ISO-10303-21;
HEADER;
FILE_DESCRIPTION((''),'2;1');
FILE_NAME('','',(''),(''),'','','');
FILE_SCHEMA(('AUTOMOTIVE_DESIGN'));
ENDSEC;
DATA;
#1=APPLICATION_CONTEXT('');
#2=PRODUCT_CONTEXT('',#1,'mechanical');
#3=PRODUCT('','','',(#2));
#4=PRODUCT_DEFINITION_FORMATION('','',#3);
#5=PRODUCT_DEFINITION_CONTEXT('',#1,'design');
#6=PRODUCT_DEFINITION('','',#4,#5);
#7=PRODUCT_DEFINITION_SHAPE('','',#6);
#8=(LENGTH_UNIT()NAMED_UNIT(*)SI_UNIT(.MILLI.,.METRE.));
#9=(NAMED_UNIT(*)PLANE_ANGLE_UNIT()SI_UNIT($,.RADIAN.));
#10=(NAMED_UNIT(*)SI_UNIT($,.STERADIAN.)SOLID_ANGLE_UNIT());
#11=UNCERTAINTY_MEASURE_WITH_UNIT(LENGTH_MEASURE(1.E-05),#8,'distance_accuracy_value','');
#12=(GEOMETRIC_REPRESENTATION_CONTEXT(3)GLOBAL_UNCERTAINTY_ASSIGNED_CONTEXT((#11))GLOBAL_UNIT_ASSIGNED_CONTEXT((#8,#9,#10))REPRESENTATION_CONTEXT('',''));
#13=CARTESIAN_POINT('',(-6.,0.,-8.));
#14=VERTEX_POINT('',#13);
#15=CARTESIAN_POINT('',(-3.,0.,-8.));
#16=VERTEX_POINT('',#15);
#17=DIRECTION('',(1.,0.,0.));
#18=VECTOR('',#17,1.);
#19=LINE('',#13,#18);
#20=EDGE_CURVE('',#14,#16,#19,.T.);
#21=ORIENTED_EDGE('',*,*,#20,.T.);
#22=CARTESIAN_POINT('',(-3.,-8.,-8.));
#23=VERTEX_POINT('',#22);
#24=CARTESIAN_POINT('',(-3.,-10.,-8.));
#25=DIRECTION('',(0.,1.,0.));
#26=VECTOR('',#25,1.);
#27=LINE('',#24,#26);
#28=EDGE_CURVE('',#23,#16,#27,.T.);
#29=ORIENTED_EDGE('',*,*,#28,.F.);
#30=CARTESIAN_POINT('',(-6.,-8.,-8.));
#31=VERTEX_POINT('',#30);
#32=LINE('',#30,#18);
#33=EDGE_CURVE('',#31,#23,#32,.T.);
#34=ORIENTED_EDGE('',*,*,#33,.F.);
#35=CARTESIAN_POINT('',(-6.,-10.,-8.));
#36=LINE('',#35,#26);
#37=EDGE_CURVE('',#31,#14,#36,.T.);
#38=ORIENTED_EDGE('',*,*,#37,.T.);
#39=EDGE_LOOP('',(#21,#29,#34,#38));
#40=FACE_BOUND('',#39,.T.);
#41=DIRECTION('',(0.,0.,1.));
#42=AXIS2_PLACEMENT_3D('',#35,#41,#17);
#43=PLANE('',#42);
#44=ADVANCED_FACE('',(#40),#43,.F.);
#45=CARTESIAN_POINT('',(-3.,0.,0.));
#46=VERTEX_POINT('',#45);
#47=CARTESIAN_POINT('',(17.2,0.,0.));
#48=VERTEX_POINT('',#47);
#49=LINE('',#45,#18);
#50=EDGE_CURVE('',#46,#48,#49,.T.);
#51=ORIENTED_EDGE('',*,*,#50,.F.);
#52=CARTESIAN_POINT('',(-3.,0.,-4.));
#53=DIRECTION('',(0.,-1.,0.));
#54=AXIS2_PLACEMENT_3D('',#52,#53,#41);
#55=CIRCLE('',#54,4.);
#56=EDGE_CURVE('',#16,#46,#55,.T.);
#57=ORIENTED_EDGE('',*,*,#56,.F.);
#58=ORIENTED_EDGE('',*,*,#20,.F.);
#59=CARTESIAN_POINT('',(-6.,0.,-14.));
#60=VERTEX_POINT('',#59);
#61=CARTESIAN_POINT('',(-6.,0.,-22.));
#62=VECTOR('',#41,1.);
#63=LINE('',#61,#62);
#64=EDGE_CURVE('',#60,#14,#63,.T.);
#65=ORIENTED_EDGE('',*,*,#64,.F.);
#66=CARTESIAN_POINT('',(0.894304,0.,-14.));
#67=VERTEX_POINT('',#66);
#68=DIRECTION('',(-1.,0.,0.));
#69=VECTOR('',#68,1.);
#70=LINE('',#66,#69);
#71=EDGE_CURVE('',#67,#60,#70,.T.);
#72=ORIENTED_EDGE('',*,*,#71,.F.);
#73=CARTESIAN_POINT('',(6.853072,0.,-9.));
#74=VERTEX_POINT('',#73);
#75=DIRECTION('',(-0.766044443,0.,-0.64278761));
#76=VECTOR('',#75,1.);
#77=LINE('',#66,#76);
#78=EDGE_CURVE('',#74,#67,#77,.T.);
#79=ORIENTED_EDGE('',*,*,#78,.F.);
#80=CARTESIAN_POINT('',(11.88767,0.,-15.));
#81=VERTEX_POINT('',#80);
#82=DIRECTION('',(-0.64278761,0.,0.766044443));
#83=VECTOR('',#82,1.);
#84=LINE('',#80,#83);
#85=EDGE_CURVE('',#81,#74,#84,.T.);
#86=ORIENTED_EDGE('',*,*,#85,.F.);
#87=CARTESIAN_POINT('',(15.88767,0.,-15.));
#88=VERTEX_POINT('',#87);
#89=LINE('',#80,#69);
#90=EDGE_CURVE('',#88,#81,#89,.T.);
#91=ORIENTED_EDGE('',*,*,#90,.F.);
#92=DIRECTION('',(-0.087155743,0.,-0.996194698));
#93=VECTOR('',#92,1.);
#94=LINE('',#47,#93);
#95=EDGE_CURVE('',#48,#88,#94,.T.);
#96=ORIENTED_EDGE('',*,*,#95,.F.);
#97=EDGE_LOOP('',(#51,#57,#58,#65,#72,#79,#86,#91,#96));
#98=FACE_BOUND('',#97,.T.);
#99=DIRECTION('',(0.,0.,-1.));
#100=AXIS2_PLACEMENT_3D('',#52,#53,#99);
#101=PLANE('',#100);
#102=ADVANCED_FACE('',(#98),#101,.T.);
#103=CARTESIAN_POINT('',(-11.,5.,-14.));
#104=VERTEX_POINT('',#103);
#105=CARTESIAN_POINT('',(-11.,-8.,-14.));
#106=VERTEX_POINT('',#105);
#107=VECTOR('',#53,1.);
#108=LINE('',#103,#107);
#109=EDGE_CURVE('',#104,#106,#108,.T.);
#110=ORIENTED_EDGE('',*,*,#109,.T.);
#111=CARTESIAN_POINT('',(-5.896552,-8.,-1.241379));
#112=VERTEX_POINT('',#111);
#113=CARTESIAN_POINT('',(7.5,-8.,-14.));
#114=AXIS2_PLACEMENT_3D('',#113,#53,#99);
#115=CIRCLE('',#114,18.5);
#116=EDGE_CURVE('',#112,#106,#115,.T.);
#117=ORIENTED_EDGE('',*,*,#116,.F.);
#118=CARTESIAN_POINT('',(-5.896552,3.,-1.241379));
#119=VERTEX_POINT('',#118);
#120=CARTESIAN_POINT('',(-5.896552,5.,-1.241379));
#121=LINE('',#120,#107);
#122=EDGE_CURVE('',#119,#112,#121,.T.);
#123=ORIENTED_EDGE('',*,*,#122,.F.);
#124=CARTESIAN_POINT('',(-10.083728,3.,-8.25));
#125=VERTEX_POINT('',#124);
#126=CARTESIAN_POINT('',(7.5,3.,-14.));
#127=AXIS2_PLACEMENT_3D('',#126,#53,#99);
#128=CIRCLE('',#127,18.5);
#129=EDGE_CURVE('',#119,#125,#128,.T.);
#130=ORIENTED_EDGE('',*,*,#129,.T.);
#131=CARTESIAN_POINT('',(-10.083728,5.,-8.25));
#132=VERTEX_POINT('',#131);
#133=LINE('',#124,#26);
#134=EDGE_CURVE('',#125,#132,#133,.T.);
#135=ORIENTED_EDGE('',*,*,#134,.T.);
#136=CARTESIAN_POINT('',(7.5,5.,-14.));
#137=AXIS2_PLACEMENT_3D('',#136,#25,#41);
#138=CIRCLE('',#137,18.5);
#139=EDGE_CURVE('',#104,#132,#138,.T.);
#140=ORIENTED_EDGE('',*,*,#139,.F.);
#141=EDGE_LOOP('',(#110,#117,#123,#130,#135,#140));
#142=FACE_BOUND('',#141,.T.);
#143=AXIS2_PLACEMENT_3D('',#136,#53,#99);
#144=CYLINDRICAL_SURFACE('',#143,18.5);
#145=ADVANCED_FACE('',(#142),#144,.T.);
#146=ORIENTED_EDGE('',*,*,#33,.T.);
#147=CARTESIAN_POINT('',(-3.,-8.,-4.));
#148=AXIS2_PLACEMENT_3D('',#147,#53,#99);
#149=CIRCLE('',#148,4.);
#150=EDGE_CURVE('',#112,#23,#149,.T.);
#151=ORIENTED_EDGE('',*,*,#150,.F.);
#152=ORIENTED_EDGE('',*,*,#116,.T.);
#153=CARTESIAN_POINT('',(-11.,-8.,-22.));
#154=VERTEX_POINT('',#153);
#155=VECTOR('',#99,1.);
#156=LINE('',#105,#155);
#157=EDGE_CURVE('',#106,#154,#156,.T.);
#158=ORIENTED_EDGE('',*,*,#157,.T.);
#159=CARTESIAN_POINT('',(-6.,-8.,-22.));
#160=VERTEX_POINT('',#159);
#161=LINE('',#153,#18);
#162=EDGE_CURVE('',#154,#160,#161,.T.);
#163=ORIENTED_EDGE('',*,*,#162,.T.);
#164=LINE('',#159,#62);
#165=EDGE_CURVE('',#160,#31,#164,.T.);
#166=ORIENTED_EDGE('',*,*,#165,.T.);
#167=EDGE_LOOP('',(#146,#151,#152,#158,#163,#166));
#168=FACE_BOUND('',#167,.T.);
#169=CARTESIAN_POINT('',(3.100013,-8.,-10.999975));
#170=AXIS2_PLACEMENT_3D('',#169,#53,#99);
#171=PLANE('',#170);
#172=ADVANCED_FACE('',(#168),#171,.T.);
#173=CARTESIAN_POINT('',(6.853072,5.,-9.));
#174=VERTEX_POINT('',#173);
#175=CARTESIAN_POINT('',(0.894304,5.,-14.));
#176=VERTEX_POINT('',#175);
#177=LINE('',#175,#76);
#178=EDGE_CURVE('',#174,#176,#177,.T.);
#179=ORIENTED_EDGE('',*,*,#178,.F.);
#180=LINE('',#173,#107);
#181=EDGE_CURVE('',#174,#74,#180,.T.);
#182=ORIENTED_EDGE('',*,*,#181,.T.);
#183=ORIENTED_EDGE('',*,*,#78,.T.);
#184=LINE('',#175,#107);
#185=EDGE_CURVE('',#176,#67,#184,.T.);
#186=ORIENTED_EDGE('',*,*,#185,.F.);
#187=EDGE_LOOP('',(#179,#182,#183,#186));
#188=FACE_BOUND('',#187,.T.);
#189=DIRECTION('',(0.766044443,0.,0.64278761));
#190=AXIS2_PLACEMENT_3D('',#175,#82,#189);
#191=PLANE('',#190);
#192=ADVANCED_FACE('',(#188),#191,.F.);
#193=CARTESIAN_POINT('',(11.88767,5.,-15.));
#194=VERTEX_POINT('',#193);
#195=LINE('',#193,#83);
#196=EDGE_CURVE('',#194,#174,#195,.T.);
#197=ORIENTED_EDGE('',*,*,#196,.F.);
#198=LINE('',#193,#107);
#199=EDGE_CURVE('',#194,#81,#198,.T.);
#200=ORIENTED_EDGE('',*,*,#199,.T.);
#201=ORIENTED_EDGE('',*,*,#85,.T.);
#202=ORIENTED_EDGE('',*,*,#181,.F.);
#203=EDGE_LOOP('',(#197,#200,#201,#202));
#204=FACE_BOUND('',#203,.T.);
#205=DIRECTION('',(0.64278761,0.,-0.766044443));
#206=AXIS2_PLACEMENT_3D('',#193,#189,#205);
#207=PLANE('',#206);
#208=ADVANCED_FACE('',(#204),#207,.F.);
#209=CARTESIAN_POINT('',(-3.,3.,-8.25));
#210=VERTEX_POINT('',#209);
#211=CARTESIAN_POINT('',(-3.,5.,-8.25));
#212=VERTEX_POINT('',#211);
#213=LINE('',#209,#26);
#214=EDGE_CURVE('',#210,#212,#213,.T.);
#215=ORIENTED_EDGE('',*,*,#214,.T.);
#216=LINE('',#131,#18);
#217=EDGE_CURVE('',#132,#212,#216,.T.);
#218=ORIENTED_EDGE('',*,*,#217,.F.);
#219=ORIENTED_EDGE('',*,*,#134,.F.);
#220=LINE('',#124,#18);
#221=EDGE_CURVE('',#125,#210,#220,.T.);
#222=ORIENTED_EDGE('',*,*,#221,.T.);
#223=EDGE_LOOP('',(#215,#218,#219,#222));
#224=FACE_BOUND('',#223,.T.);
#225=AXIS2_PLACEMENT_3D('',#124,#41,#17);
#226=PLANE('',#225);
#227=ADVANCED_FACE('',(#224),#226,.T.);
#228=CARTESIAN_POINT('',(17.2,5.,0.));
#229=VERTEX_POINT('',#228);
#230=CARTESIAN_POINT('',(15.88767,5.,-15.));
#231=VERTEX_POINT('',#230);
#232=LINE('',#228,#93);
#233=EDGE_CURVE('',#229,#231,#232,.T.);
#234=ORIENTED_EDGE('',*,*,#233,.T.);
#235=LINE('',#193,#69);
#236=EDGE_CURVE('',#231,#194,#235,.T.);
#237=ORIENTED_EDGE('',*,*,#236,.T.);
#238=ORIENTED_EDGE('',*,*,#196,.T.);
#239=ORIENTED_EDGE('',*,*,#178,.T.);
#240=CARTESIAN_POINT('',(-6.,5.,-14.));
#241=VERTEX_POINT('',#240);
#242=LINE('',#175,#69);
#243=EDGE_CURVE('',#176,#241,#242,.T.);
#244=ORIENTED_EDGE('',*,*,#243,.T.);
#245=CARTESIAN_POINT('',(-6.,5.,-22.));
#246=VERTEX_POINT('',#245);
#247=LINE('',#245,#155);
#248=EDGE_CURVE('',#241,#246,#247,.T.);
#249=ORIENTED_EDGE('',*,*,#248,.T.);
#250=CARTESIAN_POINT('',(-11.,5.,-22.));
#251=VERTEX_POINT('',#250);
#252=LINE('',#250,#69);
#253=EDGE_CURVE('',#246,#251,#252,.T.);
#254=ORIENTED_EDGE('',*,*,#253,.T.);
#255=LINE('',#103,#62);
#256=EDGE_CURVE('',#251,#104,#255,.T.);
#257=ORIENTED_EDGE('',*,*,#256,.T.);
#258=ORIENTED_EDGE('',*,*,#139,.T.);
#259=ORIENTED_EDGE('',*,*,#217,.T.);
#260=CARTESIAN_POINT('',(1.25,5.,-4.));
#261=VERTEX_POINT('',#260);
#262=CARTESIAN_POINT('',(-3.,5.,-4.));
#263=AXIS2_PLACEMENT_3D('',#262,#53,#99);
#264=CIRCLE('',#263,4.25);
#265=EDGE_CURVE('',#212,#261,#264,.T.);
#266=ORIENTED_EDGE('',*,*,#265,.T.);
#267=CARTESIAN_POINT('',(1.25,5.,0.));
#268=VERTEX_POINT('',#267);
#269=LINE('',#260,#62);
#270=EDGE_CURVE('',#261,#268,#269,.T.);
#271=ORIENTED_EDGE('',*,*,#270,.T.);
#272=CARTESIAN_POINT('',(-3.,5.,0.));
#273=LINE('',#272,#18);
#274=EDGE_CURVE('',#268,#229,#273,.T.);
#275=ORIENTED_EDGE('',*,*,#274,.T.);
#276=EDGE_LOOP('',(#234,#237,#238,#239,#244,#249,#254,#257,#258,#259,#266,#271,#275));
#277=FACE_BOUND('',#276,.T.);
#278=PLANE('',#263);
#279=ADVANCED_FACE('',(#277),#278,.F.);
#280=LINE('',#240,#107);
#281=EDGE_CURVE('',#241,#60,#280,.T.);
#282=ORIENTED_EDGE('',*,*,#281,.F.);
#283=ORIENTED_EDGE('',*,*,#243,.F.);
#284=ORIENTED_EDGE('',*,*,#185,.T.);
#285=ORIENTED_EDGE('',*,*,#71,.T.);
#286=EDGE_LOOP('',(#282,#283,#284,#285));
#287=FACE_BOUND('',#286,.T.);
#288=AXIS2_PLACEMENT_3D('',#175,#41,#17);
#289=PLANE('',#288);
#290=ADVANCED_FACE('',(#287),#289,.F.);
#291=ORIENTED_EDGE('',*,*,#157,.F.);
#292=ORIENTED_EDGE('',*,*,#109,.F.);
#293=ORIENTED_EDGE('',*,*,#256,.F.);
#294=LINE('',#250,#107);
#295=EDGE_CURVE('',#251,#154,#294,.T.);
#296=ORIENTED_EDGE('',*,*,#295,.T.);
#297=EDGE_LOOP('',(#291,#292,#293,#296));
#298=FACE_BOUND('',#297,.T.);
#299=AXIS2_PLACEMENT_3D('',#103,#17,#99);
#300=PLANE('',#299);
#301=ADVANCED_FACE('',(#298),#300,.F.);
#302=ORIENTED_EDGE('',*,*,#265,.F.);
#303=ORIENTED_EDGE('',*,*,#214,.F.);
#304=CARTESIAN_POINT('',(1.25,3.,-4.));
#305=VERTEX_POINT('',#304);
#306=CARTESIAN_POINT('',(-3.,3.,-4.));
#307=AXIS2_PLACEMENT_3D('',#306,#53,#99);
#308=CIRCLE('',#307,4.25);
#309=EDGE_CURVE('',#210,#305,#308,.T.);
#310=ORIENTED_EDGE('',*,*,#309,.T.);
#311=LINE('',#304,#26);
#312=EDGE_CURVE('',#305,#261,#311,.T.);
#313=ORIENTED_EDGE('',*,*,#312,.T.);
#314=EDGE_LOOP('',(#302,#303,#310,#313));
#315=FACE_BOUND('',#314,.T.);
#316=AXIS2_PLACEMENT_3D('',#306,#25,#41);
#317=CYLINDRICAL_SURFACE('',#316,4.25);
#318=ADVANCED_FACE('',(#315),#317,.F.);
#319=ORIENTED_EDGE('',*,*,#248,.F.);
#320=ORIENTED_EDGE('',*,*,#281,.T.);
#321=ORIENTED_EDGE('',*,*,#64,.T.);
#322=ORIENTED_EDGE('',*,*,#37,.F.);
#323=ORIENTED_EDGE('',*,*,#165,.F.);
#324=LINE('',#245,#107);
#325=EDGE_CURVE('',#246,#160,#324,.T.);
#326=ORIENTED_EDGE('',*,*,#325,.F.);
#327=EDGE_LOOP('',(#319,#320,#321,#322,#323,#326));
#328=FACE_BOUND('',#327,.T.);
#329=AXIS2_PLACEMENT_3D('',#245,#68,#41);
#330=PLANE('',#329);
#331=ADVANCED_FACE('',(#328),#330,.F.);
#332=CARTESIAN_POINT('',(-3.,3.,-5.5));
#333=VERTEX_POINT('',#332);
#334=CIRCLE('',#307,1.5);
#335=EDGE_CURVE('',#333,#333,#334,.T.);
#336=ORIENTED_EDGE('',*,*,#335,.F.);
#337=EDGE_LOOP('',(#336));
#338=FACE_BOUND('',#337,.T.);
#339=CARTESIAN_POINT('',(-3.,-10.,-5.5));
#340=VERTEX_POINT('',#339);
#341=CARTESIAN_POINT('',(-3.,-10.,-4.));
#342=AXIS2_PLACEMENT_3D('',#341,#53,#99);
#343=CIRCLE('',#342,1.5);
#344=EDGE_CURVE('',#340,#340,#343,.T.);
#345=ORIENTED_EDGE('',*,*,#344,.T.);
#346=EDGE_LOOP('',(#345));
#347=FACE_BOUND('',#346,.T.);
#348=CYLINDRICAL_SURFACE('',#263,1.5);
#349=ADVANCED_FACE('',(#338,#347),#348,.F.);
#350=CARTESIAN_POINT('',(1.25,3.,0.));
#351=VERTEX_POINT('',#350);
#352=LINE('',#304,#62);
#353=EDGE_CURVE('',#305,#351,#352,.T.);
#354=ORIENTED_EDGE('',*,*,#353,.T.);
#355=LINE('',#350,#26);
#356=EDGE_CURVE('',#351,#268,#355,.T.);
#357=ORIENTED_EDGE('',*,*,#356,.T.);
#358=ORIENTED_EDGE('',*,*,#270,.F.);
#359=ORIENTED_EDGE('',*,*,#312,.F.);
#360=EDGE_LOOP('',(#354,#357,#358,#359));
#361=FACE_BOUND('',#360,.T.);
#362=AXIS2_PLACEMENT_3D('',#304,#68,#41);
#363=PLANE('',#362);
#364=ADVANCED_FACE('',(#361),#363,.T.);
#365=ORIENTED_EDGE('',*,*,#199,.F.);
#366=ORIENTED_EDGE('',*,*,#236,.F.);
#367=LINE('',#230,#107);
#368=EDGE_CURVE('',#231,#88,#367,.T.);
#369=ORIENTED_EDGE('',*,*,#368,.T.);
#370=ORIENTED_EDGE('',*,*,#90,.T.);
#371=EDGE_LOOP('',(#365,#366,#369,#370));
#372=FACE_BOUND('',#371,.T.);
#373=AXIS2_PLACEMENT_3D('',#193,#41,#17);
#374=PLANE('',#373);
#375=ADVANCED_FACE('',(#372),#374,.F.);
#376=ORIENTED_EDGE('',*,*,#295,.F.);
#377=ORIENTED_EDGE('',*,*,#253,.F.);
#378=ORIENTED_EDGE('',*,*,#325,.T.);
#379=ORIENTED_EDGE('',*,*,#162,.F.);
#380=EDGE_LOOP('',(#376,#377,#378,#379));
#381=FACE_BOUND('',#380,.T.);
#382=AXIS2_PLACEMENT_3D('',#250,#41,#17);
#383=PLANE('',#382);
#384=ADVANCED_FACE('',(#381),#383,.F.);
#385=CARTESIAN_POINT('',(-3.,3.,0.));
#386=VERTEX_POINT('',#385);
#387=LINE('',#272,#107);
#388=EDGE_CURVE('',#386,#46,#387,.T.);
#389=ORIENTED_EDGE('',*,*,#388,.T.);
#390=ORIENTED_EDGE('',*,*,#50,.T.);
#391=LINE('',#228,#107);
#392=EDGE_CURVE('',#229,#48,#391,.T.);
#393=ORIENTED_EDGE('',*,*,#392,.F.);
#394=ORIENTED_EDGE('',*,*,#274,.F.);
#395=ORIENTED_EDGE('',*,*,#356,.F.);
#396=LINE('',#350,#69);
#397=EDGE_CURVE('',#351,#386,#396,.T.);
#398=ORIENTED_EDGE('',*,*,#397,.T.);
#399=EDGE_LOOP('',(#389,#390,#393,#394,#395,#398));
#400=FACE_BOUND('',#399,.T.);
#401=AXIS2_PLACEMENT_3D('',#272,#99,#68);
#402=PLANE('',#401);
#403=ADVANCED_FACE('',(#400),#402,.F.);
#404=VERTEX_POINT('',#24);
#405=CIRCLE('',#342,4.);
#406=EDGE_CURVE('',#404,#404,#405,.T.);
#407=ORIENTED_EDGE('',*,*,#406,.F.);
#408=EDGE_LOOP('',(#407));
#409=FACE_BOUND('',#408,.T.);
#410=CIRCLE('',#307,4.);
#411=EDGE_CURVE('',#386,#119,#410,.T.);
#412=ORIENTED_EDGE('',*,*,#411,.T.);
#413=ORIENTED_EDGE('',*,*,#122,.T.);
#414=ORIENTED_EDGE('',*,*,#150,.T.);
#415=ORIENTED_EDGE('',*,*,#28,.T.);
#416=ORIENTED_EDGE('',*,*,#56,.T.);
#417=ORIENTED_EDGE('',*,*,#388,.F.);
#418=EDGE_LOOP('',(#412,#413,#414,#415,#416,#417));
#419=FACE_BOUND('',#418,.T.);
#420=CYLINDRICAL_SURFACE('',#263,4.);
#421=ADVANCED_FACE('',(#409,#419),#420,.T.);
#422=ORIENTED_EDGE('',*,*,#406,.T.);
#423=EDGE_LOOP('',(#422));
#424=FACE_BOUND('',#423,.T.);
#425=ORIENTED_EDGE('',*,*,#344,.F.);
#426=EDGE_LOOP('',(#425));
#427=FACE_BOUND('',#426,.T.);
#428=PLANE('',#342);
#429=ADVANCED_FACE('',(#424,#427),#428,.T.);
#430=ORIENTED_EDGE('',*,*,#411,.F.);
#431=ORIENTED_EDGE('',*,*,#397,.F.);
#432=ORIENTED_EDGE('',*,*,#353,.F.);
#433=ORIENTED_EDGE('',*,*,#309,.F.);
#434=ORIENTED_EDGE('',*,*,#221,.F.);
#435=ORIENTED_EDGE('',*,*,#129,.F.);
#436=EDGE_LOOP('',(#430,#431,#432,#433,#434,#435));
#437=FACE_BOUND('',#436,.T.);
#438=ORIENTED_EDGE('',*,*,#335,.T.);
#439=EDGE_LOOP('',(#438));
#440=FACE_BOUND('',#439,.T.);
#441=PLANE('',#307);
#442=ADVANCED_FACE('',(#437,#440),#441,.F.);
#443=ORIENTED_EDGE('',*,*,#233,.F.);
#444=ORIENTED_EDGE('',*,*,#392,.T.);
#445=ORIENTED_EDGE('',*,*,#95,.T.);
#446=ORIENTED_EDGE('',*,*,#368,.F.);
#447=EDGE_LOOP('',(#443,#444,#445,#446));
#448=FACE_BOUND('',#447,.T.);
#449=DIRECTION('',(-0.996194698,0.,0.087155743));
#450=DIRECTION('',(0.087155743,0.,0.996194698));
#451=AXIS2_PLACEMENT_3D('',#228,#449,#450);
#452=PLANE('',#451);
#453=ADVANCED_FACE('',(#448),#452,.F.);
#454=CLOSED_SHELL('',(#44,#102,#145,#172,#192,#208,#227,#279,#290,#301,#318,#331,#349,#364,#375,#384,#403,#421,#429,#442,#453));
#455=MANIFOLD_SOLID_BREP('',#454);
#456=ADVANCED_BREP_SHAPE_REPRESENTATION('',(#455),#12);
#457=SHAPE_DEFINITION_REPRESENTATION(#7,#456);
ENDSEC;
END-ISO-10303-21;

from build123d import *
from build123d.topology import SkipClean

# Parameters (mm, degrees)
SKETCH1_R           = 1.5
BOSS_EXTRUDE1_DEPTH = 5
BOSS_EXTRUDE2_START = 10
SKETCH2_R           = 1.5
BOSS_EXTRUDE2_DEPTH = 10
CUT_EXTRUDE1_DEPTH  = 2
SKETCH4_OUTSIDE_W   = 37.956
SKETCH4_OUTSIDE_H   = 31.756
SKETCH4_OUTSIDE_R   = 4
CUT_EXTRUDE2_DEPTH  = 2


with BuildPart() as part:
    # Sketch1 → Boss-Extrude1 (new body)
    with BuildSketch(Plane(origin=(0, 0, 0), x_dir=(1, 0, 0), z_dir=(0, 1, 0))):
        with BuildLine():
            Line((-11, 14), (-11, 22))
            Line((-11, 22), (-6, 22))
            Line((-6, 22), (-6, 14))
            Line((-6, 14), (0.894304297, 14))
            Line((0.894304297, 14), (6.85307226, 9))
            Line((6.85307226, 9), (11.887670047, 15))
            Line((11.887670047, 15), (15.887670047, 15))
            Line((15.887670047, 15), (17.2, 0))
            Line((17.2, 0), (-3, 0))
            ThreePointArc((-3, 0), (-4.575677194, 0.32341988), (-5.896551724, 1.24137931))
            ThreePointArc((-5.896551724, 1.24137931), (-9.676818781, 7.129272487), (-11, 14))
        make_face()
        with Locations(Location((-3, 4, 0), (0, 0, 270))):
            Circle(SKETCH1_R, mode=Mode.SUBTRACT)
    extrude(amount=BOSS_EXTRUDE1_DEPTH)

    # Sketch2 → Boss-Extrude2 (add)
    with SkipClean():  # the faces are left unmerged after this step: merging them gives an invalid solid
        with BuildSketch(Plane.XZ.offset(BOSS_EXTRUDE2_START)):
            with BuildLine():
                Line((-11, -14), (-11, -22))
                Line((-11, -22), (-6, -22))
                Line((-6, -22), (-6, -8))
                Line((-6, -8), (-3, -8))
                ThreePointArc((-3, -8), (1, -4), (-3, 0))
                ThreePointArc((-3, 0), (-4.575677194, -0.32341988), (-5.896551724, -1.24137931))
                ThreePointArc((-5.896551724, -1.24137931), (-9.676818781, -7.129272487), (-11, -14))
            make_face()
            with Locations(Location((-3, -4, 0), (0, 0, 270))):
                Circle(SKETCH2_R, mode=Mode.SUBTRACT)
        extrude(amount=-BOSS_EXTRUDE2_DEPTH)

    # Sketch3 → Cut-Extrude1 (cut)
    with SkipClean():  # the faces are left unmerged after this step: merging them gives an invalid solid
        with BuildSketch(Plane(origin=(0, 5, 0), x_dir=(1, 0, 0), z_dir=(0, 1, 0))):
            with BuildLine():
                Line((1.25, 4), (1.25, 0))
                Line((1.25, 0), (-10.083728274, 0))
                Line((-10.083728274, 0), (-10.083728274, 8.25))
                Line((-10.083728274, 8.25), (-3, 8.25))
                ThreePointArc((-3, 8.25), (0.00520382, 7.00520382), (1.25, 4))
            make_face()
        extrude(amount=-CUT_EXTRUDE1_DEPTH, mode=Mode.SUBTRACT)

    # Sketch4 outside → Cut-Extrude2 (cut)
    with SkipClean():  # the faces are left unmerged after this step: merging them gives an invalid solid
        with BuildSketch(Plane.XZ.offset(10)):
            with Locations((3.1, -11)):
                Rectangle(SKETCH4_OUTSIDE_W, SKETCH4_OUTSIDE_H)
            with Locations(Location((-3, -4, 0), (0, 0, 270))):
                Circle(SKETCH4_OUTSIDE_R, mode=Mode.SUBTRACT)
        extrude(amount=-CUT_EXTRUDE2_DEPTH, mode=Mode.SUBTRACT)


solid = part.part
